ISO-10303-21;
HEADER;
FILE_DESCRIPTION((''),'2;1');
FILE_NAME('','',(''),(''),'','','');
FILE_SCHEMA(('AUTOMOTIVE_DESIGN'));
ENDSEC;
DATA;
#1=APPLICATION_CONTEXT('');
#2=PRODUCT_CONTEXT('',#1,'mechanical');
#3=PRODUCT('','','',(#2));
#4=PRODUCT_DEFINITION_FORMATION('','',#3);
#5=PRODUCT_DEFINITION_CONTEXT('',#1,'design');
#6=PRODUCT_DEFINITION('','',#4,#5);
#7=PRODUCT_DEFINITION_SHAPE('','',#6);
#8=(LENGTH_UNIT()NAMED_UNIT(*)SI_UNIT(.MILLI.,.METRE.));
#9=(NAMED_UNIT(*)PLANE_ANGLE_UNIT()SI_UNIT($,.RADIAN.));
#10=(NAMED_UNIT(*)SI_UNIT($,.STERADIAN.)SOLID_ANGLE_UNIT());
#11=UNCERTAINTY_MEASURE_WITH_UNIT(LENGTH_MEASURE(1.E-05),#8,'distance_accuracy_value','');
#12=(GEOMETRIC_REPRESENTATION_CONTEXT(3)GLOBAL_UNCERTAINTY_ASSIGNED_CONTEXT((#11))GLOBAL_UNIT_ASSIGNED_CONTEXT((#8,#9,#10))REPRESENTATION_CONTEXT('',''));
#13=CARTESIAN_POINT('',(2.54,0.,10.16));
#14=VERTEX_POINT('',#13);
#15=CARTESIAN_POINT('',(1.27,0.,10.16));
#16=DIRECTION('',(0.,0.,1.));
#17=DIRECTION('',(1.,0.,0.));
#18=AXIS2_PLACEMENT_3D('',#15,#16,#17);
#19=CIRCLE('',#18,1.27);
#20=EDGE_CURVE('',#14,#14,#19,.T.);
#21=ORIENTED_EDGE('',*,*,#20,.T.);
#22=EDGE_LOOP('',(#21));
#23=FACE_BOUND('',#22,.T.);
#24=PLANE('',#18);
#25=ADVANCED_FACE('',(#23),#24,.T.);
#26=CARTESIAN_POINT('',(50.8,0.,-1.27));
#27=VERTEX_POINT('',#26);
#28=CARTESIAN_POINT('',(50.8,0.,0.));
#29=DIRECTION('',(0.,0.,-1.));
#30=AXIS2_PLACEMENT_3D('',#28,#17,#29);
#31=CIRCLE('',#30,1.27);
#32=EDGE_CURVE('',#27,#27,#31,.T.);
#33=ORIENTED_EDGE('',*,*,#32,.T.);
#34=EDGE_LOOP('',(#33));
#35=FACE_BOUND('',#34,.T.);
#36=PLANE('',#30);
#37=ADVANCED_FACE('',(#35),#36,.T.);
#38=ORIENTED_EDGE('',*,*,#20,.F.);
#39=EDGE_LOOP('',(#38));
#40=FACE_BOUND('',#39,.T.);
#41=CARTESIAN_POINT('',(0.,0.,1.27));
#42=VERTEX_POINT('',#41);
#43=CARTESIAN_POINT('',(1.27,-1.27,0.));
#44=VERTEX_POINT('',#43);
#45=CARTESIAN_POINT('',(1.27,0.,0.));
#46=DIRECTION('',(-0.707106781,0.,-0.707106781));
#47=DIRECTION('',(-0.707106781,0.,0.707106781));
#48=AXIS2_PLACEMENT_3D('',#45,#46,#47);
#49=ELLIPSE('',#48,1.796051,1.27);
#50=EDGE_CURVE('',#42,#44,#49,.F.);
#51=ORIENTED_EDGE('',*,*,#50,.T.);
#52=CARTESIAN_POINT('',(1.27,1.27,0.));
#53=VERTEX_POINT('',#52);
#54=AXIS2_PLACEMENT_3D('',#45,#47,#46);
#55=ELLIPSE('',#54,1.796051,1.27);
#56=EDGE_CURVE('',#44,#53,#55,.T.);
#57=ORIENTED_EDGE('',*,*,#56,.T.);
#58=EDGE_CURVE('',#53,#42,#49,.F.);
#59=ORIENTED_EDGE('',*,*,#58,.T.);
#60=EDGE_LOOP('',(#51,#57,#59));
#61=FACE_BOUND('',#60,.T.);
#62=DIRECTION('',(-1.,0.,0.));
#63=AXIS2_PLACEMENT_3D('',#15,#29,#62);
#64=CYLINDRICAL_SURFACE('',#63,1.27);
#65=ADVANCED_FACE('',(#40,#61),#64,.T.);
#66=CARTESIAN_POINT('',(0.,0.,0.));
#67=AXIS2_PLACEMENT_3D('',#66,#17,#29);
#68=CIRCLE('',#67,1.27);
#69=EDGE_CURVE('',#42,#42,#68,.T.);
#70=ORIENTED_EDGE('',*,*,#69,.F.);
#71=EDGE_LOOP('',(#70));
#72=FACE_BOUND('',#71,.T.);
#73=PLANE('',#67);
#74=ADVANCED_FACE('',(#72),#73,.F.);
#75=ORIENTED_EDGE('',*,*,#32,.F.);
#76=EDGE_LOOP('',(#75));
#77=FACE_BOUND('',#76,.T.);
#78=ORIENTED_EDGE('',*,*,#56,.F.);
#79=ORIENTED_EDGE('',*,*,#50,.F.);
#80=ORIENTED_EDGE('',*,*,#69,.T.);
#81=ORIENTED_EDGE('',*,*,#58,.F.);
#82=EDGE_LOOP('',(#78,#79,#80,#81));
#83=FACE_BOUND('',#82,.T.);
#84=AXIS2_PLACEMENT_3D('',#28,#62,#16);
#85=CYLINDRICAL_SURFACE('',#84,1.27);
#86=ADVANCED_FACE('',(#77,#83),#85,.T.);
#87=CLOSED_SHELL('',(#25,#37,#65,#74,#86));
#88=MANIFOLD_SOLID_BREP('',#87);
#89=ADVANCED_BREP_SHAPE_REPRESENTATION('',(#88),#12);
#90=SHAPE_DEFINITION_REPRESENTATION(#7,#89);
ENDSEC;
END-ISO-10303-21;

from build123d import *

# Parameters (mm, degrees)
SKETCH2_R           = 1.27
BOSS_EXTRUDE1_DEPTH = 50.8
SKETCH3_R           = 1.27
BOSS_EXTRUDE2_DEPTH = 10.16


with BuildPart() as part:
    # Sketch2 → Boss-Extrude1 (new body)
    with BuildSketch(Plane(origin=(0, 0, 0), x_dir=(0, 0, -1), z_dir=(1, 0, 0))):
        Circle(SKETCH2_R)
    extrude(amount=BOSS_EXTRUDE1_DEPTH)

    # Sketch3 → Boss-Extrude2 (add)
    with BuildSketch(Plane.XY):
        with Locations((1.27, 0)):
            Circle(SKETCH3_R)
    extrude(amount=BOSS_EXTRUDE2_DEPTH)


solid = part.part
